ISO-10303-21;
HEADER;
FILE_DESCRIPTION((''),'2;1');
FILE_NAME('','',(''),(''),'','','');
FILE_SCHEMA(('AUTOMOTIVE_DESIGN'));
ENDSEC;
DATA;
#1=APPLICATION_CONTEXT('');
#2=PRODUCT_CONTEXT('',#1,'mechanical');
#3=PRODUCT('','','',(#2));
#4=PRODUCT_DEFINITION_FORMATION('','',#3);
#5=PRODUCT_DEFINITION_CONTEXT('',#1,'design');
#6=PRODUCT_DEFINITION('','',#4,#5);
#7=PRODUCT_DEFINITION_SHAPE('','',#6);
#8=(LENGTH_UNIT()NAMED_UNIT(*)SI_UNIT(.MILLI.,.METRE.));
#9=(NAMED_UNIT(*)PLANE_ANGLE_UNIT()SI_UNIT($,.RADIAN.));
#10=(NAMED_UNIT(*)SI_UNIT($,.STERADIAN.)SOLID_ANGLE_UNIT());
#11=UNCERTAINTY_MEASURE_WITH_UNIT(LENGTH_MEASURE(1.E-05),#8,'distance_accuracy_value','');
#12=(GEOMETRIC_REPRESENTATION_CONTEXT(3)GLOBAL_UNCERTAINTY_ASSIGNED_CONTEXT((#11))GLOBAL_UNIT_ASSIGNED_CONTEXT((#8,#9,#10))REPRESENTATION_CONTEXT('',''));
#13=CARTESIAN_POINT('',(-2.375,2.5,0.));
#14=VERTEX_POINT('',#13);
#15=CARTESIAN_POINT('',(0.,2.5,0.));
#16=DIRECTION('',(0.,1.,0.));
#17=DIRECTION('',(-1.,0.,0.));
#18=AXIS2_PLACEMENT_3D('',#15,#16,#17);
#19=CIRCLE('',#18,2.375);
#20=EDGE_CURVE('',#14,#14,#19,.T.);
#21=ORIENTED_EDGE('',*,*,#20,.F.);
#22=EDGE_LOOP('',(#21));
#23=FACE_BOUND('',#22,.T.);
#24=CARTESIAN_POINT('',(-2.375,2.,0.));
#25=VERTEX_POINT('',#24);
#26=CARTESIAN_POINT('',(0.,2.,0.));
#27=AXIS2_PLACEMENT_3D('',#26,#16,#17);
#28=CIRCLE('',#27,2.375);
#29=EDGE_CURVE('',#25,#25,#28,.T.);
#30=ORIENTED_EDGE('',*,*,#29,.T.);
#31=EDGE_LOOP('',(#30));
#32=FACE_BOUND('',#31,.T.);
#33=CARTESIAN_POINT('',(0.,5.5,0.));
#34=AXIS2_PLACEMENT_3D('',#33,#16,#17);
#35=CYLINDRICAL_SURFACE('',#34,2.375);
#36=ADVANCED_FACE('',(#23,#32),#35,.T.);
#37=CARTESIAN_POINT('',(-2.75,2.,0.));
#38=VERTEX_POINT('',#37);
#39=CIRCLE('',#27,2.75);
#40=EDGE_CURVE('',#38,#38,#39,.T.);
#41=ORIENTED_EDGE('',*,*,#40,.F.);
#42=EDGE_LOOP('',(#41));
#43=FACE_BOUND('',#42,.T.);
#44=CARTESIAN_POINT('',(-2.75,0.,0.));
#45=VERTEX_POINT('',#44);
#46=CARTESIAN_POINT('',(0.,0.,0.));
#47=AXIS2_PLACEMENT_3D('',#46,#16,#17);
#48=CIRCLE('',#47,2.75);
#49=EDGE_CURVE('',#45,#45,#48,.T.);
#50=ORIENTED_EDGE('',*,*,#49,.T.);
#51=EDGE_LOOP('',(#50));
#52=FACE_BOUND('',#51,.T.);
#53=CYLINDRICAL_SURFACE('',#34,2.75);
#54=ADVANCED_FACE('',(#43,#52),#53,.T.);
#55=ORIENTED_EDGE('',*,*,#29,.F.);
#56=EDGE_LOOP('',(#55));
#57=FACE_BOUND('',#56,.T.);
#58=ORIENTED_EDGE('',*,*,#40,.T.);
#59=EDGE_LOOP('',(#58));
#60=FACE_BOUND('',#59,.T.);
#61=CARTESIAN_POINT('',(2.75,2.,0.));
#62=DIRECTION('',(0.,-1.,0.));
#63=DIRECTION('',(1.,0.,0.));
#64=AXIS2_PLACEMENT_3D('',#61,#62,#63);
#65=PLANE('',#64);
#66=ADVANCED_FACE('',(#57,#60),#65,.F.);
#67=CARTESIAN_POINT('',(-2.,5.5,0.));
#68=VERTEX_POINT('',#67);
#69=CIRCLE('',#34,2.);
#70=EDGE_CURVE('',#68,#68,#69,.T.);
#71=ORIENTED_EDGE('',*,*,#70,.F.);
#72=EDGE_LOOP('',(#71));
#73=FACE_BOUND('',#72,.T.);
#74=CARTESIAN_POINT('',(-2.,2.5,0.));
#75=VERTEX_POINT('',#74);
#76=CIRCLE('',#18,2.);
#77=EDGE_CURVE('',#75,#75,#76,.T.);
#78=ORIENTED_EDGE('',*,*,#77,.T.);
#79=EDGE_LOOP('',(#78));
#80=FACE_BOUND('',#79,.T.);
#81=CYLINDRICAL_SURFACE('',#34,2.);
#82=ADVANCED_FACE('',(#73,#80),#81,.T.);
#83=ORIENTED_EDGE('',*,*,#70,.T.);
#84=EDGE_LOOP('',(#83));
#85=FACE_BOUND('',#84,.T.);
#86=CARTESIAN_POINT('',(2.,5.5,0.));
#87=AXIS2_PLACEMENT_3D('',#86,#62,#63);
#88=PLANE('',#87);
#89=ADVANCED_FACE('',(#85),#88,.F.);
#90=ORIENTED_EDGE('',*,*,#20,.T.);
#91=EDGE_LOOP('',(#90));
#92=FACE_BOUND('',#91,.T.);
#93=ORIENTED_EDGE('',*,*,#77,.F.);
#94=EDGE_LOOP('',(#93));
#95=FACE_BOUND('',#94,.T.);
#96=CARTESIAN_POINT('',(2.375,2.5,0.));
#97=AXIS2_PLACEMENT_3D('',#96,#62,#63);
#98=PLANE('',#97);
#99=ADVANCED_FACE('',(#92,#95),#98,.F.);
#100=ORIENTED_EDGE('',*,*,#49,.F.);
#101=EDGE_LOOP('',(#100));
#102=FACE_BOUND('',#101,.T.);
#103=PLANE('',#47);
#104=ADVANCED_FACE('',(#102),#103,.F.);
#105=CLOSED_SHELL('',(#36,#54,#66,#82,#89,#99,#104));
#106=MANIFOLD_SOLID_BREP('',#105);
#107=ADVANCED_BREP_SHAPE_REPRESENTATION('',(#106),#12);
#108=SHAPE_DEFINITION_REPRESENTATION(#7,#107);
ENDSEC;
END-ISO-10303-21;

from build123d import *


with BuildPart() as part:
    # Sketch1 → Revolve1 (revolve)
    with BuildSketch(Plane.XY, mode=Mode.PRIVATE) as revolve1_sk:
        Polygon((0, 0), (2.75, 0), (2.75, 2), (2.375, 2), (2.375, 2.5), (2, 2.5), (2, 5.5), (0, 5.5), align=None)
    revolve(revolve1_sk.sketch.rotate(Axis((0, 5.5, 0), (0, -1, 0)), 180), axis=Axis((0, 5.5, 0), (0, -1, 0)))


solid = part.part
